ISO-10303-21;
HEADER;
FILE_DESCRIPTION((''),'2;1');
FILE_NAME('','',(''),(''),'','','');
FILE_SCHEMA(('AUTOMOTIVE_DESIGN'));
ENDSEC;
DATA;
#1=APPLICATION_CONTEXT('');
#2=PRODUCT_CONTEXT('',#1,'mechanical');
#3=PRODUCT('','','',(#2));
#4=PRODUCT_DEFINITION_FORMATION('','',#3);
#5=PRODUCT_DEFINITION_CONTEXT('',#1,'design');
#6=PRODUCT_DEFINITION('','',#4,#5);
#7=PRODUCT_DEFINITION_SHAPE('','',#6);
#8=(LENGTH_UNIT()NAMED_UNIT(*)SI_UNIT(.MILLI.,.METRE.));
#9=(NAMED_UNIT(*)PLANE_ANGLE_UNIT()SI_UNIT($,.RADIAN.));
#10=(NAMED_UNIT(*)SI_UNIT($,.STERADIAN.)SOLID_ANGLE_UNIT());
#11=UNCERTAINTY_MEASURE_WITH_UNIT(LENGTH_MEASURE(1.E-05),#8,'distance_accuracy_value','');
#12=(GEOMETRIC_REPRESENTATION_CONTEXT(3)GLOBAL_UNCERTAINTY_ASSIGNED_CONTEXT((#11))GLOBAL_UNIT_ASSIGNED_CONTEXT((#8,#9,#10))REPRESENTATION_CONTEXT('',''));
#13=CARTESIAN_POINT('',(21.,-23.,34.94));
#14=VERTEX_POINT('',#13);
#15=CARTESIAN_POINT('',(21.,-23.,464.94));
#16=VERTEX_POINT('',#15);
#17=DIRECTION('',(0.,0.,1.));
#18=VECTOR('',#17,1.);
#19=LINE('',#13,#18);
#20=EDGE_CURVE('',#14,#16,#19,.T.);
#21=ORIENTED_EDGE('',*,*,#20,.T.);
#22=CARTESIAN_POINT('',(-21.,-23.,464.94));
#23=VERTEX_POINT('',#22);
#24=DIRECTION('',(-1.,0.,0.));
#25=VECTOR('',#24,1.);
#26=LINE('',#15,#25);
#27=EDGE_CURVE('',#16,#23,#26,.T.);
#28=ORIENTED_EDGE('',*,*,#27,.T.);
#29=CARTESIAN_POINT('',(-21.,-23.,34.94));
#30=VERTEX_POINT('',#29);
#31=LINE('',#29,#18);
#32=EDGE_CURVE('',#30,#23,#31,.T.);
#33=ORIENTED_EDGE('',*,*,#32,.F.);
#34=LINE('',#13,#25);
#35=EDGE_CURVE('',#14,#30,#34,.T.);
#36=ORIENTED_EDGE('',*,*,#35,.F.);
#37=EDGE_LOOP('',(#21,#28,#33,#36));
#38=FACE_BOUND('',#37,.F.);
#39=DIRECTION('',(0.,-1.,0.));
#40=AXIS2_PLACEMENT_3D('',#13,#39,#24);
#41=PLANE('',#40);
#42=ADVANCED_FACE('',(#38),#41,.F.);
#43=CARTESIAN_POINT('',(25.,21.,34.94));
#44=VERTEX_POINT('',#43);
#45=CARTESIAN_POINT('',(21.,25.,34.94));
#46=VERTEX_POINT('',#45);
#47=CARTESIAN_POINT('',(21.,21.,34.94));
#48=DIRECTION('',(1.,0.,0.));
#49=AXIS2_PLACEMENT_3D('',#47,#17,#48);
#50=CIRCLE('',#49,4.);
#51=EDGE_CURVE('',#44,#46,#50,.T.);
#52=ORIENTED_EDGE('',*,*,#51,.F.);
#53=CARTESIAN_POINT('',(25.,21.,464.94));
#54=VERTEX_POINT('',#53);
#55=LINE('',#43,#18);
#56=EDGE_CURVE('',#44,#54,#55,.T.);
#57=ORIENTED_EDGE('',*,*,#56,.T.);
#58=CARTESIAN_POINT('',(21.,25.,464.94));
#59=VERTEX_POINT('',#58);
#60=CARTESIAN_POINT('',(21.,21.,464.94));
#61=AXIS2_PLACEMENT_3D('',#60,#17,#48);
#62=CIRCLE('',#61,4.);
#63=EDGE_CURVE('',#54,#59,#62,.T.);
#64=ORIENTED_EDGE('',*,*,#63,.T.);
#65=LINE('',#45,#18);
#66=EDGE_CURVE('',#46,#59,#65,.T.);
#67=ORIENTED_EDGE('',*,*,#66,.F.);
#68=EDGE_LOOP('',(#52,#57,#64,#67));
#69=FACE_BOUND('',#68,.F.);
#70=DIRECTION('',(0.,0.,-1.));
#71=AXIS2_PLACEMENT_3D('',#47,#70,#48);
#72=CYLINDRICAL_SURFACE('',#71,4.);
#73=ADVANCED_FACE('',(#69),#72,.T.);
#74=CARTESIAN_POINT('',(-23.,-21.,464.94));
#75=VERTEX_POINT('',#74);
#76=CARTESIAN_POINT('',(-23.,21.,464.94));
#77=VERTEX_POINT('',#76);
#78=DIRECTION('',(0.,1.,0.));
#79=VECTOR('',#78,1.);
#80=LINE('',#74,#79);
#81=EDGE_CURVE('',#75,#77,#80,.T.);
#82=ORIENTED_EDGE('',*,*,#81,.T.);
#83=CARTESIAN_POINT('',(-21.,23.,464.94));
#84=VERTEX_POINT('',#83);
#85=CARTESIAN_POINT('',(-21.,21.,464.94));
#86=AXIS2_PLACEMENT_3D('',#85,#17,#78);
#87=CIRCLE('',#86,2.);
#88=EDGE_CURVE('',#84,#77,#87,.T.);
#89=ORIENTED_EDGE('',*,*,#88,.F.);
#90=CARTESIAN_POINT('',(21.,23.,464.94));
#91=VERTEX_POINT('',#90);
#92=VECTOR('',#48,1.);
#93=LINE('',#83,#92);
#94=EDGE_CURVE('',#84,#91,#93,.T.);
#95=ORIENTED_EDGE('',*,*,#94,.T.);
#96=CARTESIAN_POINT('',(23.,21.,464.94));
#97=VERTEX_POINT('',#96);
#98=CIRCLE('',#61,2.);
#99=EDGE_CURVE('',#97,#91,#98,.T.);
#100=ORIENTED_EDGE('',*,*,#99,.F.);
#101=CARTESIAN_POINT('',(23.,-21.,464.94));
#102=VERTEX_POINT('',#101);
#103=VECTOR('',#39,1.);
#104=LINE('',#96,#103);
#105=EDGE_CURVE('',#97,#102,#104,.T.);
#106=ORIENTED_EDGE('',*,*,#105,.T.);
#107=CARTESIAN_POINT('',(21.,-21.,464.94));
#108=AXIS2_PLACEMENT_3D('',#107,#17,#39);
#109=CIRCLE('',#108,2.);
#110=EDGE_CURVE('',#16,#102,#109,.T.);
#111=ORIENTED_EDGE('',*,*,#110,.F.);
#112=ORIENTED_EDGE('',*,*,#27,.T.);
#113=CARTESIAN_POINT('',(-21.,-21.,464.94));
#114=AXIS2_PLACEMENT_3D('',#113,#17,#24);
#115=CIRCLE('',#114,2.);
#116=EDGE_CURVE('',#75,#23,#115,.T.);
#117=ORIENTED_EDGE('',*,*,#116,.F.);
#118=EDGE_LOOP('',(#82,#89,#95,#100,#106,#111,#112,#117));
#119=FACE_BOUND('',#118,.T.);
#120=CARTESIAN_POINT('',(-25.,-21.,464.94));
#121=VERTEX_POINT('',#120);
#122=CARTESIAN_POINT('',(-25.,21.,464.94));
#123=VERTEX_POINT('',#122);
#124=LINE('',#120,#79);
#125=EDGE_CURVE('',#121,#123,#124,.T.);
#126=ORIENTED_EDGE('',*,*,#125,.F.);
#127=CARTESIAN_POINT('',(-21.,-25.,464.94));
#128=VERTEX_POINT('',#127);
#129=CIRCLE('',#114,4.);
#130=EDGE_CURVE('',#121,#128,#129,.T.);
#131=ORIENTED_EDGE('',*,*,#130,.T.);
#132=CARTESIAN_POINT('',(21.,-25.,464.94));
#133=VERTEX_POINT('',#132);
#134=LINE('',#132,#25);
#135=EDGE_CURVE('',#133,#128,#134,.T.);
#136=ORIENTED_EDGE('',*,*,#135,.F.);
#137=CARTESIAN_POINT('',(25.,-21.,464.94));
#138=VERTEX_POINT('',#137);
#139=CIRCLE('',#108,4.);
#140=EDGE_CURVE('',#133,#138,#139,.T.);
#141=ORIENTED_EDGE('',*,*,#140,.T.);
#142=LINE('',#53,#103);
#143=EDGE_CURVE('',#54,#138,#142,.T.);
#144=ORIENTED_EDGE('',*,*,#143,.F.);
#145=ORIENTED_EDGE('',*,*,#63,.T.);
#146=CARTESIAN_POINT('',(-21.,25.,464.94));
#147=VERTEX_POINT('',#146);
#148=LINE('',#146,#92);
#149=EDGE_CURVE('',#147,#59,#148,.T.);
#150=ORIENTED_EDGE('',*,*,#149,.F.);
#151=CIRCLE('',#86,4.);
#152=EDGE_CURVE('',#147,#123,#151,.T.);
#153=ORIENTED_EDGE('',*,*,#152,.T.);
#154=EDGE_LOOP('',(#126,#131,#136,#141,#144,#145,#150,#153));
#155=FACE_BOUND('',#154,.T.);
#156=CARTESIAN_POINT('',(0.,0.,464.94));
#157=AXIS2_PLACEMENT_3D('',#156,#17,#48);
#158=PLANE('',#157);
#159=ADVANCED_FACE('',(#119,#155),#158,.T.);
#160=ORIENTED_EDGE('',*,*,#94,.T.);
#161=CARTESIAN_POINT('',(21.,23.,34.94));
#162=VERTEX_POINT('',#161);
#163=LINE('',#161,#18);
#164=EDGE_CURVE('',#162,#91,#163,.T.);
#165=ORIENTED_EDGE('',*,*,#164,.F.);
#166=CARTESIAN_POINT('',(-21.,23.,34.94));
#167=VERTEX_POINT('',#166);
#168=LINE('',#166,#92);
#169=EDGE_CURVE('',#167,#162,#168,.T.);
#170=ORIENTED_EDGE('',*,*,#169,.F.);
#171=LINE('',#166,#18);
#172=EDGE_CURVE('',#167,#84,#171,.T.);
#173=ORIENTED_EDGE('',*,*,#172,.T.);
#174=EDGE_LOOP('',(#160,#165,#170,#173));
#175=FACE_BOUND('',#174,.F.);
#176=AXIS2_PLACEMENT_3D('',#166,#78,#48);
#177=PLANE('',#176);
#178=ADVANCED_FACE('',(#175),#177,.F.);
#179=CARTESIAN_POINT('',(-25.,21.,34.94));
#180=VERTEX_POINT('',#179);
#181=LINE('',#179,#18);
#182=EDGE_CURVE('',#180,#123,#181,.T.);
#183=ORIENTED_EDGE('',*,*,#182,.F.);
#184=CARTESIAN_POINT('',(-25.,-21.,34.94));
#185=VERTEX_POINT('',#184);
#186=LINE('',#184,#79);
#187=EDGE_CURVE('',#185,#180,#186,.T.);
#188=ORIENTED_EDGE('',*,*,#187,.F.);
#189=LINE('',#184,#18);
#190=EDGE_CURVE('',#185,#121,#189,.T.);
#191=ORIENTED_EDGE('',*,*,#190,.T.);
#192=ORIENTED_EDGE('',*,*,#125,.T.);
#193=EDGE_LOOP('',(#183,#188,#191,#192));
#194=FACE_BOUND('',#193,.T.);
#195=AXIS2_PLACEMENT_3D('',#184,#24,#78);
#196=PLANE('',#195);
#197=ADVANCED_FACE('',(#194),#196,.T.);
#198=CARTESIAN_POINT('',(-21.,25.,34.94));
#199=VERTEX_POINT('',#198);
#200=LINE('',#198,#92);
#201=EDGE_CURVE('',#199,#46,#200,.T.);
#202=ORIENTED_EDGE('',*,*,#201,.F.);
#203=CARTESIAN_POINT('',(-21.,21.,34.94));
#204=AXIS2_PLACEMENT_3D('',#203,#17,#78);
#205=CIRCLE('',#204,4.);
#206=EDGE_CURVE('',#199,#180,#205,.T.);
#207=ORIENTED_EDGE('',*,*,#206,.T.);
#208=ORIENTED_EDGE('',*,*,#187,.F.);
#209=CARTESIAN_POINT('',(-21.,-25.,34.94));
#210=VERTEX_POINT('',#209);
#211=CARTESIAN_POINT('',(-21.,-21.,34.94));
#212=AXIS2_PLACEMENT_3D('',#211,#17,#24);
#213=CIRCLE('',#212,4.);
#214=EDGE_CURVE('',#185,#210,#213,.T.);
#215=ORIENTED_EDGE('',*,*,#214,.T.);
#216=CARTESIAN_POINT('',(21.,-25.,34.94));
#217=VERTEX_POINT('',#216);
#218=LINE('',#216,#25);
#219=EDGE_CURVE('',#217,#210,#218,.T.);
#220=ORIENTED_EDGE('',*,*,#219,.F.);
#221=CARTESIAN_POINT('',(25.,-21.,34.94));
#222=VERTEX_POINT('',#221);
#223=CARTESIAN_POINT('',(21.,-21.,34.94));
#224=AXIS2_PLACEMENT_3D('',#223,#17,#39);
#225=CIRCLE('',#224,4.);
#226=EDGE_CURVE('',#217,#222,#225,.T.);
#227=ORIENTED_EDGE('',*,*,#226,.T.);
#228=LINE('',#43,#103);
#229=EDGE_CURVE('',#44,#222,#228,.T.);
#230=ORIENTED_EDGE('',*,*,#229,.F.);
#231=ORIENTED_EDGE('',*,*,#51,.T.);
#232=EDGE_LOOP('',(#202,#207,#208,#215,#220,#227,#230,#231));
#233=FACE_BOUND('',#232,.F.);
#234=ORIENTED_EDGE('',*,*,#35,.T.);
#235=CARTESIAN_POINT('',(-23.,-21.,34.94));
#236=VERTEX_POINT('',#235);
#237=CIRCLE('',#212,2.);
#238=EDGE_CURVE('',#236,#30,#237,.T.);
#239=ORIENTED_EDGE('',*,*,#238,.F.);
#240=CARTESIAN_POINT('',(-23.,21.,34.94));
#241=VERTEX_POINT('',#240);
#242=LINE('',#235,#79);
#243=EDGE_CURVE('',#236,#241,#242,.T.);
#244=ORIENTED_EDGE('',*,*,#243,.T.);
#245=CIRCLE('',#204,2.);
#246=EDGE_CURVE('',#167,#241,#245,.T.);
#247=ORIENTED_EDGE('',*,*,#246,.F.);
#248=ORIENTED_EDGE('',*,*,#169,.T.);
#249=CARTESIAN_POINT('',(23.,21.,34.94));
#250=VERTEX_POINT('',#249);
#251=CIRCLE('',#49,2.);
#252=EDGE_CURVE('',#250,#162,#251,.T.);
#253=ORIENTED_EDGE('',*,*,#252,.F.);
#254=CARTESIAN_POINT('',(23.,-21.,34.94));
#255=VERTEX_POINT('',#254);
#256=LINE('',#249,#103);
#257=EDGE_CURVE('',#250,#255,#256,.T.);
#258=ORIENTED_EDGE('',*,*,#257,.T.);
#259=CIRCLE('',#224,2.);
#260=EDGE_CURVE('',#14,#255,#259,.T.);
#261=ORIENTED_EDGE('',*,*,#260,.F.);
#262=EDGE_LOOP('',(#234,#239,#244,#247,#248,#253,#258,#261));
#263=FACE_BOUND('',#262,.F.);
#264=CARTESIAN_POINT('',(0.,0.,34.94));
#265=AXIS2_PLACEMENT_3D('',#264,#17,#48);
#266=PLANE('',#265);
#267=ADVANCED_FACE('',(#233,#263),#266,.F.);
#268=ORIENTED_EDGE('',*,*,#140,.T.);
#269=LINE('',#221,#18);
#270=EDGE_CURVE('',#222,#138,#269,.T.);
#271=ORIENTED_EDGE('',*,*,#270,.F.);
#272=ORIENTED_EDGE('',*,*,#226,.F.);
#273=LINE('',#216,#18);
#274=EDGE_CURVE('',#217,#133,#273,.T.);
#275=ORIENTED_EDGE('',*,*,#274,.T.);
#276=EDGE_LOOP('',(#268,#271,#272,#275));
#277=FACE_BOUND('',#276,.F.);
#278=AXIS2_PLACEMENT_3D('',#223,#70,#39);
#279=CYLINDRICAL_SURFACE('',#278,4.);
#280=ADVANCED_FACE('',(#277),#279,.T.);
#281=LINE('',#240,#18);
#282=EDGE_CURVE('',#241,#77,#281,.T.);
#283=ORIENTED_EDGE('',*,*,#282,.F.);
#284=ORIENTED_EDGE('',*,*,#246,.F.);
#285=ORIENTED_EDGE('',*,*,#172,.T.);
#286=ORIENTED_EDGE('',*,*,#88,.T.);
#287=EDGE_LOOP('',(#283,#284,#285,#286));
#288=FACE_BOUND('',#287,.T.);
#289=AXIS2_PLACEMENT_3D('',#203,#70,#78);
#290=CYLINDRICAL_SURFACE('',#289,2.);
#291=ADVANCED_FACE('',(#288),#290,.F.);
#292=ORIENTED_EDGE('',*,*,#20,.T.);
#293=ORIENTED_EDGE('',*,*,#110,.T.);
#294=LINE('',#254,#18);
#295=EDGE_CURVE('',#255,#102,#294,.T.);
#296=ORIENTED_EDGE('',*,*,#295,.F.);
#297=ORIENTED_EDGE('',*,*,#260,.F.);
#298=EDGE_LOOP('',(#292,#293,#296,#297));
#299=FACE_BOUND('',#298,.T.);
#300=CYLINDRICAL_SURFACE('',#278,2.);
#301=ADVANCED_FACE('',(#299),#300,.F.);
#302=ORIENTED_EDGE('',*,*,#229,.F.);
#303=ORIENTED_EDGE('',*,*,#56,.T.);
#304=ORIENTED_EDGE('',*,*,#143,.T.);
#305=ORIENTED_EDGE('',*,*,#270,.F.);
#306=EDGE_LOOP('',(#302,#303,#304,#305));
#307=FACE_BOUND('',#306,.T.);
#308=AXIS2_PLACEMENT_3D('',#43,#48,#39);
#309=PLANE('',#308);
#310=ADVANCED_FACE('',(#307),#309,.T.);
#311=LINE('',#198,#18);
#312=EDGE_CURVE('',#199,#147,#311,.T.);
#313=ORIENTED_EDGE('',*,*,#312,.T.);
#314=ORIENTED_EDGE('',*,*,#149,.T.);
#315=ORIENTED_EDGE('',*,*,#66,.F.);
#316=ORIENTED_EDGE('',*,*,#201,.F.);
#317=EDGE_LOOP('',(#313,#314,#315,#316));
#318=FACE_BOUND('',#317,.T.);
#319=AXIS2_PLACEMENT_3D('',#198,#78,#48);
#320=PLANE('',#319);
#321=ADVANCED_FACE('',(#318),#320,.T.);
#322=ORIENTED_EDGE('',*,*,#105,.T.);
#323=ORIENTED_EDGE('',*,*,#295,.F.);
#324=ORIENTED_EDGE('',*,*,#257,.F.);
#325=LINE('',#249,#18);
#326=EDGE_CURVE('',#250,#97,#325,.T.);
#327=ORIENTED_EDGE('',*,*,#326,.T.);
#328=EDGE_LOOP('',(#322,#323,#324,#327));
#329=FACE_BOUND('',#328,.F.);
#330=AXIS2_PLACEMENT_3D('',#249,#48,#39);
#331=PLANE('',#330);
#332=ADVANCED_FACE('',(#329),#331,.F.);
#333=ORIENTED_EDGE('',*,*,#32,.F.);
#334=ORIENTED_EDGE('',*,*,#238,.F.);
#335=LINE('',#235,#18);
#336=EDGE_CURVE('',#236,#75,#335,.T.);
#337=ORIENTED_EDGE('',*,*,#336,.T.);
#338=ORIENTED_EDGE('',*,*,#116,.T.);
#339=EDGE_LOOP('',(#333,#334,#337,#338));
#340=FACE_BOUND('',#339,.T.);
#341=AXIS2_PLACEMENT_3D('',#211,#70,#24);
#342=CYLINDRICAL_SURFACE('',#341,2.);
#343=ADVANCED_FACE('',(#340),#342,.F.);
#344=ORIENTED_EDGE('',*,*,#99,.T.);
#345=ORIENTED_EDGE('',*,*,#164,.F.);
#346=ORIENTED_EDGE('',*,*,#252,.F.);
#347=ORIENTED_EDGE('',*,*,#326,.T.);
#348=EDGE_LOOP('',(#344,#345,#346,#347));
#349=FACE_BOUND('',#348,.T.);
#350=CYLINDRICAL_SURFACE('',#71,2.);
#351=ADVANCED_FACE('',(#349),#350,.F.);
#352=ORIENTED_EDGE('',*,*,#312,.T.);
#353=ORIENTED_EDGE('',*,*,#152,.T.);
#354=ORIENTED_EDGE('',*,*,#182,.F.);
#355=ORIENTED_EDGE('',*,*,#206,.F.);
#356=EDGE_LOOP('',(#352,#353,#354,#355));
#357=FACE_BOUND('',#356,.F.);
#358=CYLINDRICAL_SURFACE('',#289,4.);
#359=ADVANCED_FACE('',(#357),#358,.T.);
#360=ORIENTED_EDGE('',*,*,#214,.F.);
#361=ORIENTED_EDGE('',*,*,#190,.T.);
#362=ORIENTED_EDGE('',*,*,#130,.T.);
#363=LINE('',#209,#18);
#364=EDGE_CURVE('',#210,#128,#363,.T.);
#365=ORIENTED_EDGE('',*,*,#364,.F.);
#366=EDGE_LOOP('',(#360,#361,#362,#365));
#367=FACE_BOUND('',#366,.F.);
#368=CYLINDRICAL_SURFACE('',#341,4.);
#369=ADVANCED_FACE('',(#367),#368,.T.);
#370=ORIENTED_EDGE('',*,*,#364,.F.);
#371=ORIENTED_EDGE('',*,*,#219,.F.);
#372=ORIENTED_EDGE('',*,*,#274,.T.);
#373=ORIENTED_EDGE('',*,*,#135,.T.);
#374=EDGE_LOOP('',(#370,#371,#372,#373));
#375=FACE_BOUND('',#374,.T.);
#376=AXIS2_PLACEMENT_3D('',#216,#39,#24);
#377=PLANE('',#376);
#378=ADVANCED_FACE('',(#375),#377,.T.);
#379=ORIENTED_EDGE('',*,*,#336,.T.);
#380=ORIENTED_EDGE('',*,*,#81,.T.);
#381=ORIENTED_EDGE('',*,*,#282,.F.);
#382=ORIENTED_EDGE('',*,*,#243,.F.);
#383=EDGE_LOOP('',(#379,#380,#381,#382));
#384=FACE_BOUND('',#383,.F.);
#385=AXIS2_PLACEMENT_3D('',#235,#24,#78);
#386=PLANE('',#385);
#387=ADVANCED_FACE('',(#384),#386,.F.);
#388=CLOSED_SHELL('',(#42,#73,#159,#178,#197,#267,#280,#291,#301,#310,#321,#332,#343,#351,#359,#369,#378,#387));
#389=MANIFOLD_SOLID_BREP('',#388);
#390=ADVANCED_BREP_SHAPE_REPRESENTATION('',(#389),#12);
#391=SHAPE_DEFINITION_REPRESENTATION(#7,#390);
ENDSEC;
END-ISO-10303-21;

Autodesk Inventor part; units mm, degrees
ref_plane "Start Plane" through (0, 0, 34.94) normal (0, 0, 1) x (1, 0, 0)
ref_plane "End Plane" through (0, 0, 464.94) normal (0, 0, 1) x (1, 0, 0)
sketch "Sketch" plane through (0, 0, 0) normal (0, 0, 1) x (1, 0, 0)
  line L0 (-25, -21) -> (-25, 21)
  line L1 (-21, 25) -> (21, 25)
  line L2 (25, 21) -> (25, -21)
  line L3 (21, -25) -> (-21, -25)
  arc A0 (-25, -21) -> (-21, -25) centre (-21, -21) ccw
  arc A1 (25, 21) -> (21, 25) centre (21, 21) ccw
  arc A2 (-21, 25) -> (-25, 21) centre (-21, 21) ccw
  arc A3 (21, -25) -> (25, -21) centre (21, -21) ccw
  arc A4 (-21, 23) -> (-23, 21) centre (-21, 21) ccw
  line L4 (-21, 23) -> (21, 23)
  arc A5 (23, 21) -> (21, 23) centre (21, 21) ccw
  line L5 (23, 21) -> (23, -21)
  arc A6 (21, -23) -> (23, -21) centre (21, -21) ccw
  line L6 (21, -23) -> (-21, -23)
  arc A7 (-23, -21) -> (-21, -23) centre (-21, -21) ccw
  line L7 (-23, -21) -> (-23, 21)
  line L8 (0, 36.1598) -> (0, -36.1598) construction
  line L9 (-36.1598, 0) -> (36.1598, 0) construction
  dimension "d7" = 4
  dimension "d9" = 50
  dimension "d11" = 50
  dimension "d12" = 2
  dimension "d15" = 25
  dimension "d16" = 25
extrude "Body" add sketch "Sketch" along normal up to surface (430 mm away) from surface at 34.94
sketch "Sketch3" plane through (0, 0, 0) normal (0, 0, 1) x (1, 0, 0)
  line L0 (0, 0) -> (10, 0)
ref_plane "Work Plane3" through (0, 0, 0) normal (0, -1, 0) x (1, 0, 0)
sketch "Sketch4" plane through (0, 0, 0) normal (0, -1, 0) x (1, 0, 0)
  line L0 (-2, 34.94) -> (12, 34.94)
  line L1 (-2, 464.94) -> (12, 464.94)
  dimension "d18" = 430
ref_plane "Work Plane4" through (1270, 29, 34.94) normal (0, 0, -1) x (-1, 0, 0)
split "Split1" plane through (1270, 29, 34.94) removes the side toward (0, 0, -1)
ref_plane "Work Plane5" through (-1040, 29, 464.94) normal (0, 0, 1) x (1, 0, 0)
split "Split2" plane through (-1040, 29, 464.94) removes the side toward (0, 0, 1)
equation "\"d7\" = G_IR"
equation "\"d9\" = G_W"
equation "\"d11\" = G_H"
equation "\"d12\" = G_T"
equation "\"d15\" = 0.5 * d9"
equation "\"d16\" = 0.5 * d11"
equation "\"d3\" = G_L"
equation "\"G_W\" = 50"
equation "\"G_H\" = 50"
equation "\"G_T\" = 2"
equation "\"G_IR\" = 4"
equation "\"G_L\" = d18"
equation "\"G_OFFSET_START\" = -34.94003"
equation "\"G_OFFSET_END\" = -35.05997"
equation "\"d13\" = -G_OFFSET_START"
equation "\"d14\" = G_OFFSET_END + B_L"
equation "\"B_L\" = 500"
properties part number "ISO 10799-2 - 50x50x2 - 430" material "Galvanizado catalogo 1"
